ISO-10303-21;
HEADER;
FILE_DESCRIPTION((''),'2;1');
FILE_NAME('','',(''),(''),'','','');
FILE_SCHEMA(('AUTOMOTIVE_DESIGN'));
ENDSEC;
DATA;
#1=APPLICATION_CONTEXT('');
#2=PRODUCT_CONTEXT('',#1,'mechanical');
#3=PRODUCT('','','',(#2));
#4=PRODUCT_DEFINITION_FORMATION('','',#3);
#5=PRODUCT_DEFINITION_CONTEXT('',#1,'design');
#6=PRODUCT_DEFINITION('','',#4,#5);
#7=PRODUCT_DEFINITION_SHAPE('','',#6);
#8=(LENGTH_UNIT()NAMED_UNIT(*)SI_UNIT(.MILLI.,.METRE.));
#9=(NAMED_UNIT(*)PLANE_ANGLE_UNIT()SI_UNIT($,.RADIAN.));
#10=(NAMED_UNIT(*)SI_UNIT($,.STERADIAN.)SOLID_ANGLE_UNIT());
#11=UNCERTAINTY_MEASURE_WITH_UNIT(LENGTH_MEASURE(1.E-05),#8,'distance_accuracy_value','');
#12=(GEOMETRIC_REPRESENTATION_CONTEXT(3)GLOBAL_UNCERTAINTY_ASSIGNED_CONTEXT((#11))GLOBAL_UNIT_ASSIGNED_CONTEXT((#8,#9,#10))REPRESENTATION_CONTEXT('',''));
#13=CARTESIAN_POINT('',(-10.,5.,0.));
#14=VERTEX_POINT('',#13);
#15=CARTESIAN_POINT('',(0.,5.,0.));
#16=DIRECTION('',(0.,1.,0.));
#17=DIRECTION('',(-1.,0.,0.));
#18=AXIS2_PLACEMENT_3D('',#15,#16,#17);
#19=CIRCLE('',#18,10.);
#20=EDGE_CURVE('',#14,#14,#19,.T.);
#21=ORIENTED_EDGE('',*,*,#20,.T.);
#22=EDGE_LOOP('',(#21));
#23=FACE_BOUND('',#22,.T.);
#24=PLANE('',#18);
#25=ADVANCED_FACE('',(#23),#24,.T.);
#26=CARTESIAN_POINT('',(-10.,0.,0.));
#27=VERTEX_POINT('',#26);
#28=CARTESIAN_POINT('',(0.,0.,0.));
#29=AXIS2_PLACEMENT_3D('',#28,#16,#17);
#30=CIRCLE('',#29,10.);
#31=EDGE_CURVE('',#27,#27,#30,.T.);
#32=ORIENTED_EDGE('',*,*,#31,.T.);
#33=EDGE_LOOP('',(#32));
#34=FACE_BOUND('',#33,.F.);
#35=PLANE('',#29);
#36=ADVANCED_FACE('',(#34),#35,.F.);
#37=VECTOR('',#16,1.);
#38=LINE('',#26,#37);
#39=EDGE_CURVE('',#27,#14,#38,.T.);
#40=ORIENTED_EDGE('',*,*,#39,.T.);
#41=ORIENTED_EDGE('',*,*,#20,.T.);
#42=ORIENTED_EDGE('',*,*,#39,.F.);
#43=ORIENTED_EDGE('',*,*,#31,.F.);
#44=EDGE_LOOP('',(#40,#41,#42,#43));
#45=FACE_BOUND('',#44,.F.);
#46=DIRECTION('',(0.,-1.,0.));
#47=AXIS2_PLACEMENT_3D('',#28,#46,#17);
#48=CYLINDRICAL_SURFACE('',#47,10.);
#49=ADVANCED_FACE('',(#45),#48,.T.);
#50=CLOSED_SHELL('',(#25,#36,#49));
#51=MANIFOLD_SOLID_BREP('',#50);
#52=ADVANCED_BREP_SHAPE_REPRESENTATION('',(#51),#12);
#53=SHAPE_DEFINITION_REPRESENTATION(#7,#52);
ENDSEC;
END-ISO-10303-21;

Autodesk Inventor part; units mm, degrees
ref_plane "YZ Plane" through (0, 0, 0) normal (1, 0, 0) x (0, 1, 0)
ref_plane "XZ Plane" through (0, 0, 0) normal (0, 1, 0) x (-1, 0, 0)
ref_plane "XY Plane" through (0, 0, 0) normal (0, 0, 1) x (1, 0, 0)
sketch "Szkic1" plane through (0, 0, 0) normal (0, 1, 0) x (-1, 0, 0)
  circle A0 centre (0, 0) radius 10
  dimension "d0" = 20
extrude "Wyciągnięcie proste1" add sketch "Szkic1" along normal blind 5
properties part number "nóżka" material "Tworzywo sztuczne SAN"
